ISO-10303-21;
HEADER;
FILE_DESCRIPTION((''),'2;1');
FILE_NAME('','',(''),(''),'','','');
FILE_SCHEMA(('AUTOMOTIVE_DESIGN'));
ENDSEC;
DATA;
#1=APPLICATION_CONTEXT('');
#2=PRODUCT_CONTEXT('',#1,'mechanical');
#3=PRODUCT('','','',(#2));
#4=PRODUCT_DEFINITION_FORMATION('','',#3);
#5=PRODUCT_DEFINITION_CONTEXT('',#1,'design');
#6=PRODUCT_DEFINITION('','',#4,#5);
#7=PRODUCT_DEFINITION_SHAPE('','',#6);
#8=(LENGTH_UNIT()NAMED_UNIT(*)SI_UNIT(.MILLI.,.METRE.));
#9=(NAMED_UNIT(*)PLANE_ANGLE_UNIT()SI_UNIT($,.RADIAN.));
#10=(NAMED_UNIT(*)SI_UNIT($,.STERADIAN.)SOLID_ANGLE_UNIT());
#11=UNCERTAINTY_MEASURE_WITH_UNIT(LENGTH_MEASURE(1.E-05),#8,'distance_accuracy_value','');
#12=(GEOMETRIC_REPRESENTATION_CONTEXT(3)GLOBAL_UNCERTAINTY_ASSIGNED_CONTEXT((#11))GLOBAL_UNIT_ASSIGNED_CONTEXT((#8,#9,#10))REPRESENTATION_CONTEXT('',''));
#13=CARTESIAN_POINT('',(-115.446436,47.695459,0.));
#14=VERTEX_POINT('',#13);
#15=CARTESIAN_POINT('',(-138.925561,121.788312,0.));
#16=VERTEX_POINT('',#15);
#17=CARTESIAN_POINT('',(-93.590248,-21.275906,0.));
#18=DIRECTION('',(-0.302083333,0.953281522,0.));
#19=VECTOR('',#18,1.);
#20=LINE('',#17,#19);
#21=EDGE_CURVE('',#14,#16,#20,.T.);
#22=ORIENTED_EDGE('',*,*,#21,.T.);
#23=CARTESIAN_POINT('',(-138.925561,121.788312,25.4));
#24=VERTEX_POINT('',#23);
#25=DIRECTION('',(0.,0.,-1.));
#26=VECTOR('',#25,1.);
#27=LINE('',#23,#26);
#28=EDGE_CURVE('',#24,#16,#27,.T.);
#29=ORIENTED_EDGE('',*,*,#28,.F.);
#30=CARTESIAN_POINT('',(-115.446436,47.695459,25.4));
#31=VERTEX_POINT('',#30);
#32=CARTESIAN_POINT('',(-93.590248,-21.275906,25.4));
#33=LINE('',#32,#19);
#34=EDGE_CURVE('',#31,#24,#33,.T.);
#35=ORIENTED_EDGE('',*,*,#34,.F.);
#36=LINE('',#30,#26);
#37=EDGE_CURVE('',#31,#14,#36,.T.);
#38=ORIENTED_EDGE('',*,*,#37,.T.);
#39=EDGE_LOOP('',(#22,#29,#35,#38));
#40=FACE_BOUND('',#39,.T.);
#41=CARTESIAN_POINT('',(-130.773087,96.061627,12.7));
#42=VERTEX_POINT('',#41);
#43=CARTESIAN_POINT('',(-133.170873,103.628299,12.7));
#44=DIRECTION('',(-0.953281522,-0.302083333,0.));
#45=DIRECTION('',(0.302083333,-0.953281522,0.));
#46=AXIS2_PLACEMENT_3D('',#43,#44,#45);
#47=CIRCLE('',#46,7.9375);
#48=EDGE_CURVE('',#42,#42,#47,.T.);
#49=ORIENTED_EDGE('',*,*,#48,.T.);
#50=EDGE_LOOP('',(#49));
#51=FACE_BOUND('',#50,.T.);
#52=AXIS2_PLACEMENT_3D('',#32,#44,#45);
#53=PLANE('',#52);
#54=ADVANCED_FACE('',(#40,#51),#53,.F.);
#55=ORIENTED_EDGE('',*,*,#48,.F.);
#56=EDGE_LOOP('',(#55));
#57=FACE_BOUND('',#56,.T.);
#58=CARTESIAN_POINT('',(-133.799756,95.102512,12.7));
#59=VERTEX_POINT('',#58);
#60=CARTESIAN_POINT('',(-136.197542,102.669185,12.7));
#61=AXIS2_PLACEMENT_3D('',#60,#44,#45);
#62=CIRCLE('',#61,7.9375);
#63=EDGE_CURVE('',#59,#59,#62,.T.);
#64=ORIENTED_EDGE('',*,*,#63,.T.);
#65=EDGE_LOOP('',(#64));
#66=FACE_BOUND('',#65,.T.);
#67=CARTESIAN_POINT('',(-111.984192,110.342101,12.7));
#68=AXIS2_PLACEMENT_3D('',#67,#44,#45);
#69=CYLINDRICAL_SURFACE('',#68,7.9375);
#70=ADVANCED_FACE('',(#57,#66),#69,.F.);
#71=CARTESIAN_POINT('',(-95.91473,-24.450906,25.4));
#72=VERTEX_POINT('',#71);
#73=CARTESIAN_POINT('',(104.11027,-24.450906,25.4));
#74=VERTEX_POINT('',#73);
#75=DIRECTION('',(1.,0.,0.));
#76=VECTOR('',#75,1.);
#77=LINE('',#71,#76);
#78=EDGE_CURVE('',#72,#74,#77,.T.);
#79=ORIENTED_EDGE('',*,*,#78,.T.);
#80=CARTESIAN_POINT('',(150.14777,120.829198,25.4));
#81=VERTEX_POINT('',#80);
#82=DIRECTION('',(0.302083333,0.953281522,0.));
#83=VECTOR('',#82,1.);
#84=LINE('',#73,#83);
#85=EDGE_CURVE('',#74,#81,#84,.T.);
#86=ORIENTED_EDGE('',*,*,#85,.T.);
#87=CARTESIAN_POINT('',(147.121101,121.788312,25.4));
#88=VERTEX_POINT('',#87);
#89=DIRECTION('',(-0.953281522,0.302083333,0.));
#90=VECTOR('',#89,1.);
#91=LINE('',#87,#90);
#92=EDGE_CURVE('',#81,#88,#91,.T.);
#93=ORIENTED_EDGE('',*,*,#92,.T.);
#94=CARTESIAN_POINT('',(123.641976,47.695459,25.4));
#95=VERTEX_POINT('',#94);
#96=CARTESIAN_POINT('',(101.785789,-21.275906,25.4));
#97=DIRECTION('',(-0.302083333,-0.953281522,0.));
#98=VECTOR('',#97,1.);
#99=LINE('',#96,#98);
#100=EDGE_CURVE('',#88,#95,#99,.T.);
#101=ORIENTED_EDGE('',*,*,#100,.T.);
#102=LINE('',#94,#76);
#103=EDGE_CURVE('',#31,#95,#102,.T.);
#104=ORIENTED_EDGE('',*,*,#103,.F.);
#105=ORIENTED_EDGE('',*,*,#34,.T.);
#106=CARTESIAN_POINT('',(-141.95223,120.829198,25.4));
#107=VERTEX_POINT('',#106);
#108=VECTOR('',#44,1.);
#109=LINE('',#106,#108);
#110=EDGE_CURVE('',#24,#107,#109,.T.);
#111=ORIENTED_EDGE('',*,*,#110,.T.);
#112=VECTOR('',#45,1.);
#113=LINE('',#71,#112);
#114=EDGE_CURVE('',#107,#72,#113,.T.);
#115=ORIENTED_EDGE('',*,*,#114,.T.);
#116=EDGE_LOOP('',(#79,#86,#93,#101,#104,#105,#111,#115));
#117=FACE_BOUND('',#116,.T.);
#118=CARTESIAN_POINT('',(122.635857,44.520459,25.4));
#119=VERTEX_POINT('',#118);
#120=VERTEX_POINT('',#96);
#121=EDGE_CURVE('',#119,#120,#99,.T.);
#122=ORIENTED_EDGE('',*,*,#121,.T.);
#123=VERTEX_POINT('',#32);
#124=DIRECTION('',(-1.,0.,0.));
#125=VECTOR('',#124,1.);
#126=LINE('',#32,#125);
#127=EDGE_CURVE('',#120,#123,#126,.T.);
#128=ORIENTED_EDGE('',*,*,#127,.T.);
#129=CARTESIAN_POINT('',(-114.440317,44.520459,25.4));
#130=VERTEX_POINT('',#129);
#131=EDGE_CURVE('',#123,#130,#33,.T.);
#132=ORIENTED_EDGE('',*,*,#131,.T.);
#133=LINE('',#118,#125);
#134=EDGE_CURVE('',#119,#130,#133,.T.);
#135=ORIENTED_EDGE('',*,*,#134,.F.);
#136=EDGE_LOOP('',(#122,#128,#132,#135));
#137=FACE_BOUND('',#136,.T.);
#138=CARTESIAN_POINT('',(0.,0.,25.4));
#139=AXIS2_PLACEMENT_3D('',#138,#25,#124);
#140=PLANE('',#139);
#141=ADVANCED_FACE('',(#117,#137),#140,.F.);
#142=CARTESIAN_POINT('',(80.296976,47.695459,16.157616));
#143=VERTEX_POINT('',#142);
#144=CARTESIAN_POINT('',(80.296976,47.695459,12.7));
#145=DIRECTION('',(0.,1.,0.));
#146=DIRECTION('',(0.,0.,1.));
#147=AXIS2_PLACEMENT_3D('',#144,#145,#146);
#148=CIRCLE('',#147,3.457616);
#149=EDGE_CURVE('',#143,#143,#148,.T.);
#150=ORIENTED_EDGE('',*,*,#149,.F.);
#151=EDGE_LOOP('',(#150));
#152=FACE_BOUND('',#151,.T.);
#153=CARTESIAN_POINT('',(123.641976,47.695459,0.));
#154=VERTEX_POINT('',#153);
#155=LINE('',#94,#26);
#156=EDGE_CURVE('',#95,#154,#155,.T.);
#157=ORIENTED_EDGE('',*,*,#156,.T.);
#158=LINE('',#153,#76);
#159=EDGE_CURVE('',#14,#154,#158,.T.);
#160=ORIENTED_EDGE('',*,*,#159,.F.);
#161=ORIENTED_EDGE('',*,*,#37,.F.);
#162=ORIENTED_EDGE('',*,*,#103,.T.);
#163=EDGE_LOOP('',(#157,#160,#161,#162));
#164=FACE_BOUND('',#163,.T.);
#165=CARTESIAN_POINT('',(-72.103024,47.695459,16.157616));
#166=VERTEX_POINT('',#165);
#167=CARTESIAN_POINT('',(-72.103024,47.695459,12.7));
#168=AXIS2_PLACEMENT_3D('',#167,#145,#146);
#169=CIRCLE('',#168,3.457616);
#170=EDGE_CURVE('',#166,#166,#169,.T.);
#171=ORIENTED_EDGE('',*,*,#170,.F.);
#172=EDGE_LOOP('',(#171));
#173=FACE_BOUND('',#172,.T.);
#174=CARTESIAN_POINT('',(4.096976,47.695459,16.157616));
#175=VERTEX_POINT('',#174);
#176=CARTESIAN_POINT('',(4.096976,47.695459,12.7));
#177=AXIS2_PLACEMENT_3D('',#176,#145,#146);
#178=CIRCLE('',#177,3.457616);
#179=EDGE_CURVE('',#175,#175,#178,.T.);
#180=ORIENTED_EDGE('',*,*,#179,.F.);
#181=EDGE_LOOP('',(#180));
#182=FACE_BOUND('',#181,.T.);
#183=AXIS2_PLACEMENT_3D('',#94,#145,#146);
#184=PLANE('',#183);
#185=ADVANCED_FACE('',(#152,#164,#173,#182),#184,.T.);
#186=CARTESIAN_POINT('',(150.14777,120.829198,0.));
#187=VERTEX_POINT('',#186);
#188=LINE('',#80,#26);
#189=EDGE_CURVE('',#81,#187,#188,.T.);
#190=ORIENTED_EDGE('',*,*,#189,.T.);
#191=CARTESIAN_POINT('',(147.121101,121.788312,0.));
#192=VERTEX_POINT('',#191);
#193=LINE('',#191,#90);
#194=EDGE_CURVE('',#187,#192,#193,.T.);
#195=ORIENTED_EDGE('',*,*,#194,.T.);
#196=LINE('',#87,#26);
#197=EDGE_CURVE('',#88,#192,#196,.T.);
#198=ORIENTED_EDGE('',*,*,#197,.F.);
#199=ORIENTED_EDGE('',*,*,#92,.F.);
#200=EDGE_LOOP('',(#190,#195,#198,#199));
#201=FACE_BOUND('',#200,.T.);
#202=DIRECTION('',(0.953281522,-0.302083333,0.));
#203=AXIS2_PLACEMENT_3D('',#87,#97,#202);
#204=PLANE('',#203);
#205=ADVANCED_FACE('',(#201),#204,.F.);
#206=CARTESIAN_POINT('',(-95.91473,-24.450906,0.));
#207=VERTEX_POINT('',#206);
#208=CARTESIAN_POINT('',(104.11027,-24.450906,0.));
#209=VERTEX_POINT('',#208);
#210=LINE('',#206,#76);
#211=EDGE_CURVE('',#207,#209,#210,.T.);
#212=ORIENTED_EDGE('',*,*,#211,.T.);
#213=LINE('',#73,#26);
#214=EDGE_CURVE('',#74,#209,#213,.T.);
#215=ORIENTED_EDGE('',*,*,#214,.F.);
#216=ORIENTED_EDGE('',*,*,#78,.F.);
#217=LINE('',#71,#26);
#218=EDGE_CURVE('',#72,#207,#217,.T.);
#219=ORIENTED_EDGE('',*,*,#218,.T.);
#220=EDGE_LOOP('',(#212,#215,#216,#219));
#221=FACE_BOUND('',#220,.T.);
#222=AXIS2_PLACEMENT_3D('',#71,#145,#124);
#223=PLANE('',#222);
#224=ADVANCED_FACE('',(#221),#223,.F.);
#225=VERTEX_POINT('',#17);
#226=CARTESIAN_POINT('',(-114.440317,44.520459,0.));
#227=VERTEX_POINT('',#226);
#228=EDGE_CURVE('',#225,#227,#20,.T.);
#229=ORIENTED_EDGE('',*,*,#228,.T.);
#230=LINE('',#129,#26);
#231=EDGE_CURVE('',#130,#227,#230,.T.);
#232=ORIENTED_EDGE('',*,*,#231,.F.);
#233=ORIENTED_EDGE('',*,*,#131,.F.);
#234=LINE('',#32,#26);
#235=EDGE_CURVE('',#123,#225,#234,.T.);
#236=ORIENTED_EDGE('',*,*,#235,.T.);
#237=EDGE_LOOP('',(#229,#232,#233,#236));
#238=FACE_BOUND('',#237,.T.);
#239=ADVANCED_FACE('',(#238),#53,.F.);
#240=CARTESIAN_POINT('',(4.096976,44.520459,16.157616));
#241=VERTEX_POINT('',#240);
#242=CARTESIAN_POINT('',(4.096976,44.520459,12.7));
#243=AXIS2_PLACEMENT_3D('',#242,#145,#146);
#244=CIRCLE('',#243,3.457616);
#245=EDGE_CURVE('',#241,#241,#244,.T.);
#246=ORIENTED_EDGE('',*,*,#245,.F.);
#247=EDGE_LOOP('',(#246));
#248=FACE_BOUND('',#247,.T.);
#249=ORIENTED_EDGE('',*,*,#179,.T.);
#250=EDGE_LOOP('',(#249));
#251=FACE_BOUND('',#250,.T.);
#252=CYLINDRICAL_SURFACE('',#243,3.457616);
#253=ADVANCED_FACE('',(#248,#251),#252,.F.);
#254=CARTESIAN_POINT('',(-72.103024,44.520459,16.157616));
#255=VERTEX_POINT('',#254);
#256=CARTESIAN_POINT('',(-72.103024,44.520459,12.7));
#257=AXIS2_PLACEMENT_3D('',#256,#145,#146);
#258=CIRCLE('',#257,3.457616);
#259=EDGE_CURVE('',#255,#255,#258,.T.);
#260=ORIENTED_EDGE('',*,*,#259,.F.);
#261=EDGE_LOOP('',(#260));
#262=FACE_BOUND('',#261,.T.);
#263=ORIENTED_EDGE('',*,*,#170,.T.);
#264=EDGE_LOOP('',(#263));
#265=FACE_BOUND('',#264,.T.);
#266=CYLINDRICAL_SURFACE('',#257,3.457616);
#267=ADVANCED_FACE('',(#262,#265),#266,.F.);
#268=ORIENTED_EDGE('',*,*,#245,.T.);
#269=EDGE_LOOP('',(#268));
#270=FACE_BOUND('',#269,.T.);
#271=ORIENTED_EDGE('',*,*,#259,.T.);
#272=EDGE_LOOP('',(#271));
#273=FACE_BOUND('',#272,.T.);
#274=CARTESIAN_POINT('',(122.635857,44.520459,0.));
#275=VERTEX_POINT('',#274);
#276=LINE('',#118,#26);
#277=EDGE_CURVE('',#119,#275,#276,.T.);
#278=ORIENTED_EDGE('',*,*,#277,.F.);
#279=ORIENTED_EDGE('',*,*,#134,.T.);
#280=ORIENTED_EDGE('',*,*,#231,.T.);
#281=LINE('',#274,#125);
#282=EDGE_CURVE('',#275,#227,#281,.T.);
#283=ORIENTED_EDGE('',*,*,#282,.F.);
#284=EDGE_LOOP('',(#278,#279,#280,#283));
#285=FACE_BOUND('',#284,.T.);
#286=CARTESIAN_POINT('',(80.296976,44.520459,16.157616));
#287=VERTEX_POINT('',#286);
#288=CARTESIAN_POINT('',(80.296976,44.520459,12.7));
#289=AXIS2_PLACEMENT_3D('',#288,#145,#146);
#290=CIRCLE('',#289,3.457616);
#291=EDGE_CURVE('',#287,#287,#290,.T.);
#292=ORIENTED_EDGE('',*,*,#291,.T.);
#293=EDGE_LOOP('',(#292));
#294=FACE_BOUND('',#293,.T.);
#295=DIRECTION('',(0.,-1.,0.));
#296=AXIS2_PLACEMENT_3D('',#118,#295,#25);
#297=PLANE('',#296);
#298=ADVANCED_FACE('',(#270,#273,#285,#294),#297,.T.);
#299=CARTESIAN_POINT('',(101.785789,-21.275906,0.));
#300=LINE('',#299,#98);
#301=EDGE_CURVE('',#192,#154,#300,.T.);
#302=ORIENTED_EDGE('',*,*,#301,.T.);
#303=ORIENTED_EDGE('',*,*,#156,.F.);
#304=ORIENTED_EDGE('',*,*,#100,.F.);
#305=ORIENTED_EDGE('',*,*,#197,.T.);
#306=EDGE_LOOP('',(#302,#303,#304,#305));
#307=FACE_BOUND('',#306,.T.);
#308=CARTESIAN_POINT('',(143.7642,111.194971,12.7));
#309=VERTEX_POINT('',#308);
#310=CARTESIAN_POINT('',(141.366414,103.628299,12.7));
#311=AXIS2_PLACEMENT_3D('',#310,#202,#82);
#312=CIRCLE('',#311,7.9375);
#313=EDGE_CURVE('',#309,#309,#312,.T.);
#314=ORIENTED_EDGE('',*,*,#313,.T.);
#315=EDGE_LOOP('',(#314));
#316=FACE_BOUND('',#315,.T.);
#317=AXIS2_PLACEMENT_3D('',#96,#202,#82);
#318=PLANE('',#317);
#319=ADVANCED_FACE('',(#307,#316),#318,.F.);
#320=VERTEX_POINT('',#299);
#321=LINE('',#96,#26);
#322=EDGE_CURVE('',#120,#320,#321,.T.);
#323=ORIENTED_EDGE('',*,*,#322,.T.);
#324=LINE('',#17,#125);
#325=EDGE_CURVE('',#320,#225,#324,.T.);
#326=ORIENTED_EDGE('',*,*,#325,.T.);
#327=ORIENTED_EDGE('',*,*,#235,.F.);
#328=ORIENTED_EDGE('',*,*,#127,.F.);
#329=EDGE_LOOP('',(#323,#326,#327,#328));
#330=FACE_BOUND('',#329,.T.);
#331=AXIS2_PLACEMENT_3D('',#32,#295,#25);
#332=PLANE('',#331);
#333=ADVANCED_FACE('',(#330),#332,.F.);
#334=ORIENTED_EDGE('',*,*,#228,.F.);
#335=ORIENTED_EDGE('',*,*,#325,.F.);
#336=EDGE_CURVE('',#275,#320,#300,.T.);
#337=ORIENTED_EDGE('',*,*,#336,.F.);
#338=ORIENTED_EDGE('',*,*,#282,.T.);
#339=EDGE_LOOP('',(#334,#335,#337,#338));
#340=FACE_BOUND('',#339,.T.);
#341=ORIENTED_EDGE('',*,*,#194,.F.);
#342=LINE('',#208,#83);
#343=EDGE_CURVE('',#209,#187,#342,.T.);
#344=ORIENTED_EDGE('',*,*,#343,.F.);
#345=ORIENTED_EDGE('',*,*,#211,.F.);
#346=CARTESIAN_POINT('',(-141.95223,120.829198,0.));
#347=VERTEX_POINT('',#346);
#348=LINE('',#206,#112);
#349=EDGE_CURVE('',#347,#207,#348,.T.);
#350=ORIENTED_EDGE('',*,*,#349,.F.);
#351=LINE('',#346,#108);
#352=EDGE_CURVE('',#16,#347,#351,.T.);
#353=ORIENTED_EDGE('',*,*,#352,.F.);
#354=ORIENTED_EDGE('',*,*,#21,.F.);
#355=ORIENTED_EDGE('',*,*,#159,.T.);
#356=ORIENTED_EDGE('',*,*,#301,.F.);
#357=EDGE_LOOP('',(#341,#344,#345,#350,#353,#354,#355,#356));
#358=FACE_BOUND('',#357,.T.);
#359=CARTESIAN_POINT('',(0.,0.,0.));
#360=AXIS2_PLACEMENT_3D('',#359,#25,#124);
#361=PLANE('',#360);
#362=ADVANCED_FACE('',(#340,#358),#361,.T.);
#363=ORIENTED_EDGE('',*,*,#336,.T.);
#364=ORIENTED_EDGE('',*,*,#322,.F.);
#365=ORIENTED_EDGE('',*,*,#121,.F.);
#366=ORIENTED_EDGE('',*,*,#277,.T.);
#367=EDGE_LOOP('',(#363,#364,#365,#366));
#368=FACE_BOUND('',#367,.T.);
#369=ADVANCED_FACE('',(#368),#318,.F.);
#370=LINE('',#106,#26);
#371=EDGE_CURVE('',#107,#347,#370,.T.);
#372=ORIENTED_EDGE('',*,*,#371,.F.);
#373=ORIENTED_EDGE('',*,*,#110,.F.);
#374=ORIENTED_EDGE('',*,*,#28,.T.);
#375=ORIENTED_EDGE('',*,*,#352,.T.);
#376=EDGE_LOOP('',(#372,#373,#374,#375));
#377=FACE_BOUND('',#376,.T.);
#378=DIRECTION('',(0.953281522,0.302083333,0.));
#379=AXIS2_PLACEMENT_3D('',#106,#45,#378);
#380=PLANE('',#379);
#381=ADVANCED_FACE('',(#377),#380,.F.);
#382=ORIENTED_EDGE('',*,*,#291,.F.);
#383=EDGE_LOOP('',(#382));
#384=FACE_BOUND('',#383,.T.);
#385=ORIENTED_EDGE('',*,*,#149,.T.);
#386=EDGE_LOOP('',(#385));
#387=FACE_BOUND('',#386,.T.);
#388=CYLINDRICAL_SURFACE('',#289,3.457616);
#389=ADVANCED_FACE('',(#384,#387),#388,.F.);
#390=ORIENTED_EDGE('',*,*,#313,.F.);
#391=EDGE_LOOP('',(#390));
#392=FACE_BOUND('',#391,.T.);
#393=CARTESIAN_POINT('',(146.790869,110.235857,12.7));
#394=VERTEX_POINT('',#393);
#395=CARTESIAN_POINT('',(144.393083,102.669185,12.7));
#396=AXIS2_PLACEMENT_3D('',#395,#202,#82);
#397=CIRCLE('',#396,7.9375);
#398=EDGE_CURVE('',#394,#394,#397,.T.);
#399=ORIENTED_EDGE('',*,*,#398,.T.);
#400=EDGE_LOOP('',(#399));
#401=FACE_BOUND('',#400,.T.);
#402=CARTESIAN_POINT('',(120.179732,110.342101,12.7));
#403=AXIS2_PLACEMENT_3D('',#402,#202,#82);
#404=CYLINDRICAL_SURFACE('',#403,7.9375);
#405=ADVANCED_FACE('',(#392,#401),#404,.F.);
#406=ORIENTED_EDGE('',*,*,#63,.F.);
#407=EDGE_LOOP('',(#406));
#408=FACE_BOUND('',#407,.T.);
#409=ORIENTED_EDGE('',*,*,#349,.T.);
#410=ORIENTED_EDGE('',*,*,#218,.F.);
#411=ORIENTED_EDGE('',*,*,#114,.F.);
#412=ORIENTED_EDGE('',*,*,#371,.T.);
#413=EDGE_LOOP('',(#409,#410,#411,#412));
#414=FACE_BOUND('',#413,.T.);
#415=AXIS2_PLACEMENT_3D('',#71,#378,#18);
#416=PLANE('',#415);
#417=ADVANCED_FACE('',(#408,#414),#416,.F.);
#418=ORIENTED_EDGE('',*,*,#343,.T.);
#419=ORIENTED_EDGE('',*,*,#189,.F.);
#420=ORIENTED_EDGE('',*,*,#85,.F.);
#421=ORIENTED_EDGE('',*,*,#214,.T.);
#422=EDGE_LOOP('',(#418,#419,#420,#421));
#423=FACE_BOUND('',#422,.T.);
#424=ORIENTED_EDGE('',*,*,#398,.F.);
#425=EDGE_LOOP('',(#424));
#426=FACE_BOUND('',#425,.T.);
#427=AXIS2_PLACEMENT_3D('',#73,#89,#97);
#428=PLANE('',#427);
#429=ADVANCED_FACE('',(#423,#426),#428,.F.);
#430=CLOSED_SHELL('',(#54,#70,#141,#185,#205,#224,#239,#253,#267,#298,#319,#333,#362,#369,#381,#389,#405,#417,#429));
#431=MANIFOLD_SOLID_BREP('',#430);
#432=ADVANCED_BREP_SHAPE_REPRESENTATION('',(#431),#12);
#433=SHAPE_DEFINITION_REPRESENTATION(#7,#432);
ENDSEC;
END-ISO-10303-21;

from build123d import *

# Parameters (mm, degrees)
BOSS_EXTRUDE1_DEPTH = 25.4
SKETCH2_R           = 7.9375
CUT_EXTRUDE1_DEPTH  = 25.4
SKETCH3_R           = 7.9375
CUT_EXTRUDE2_DEPTH  = 25.4
BOSS_EXTRUDE2_DEPTH = 25.4
SKETCH6_R           = 3.457615734
CUT_EXTRUDE4_DEPTH  = 3.175


with BuildPart() as part:
    # Sketch1 → Boss-Extrude1 (new body)
    with BuildSketch(Plane.XY):
        Polygon((-95.914729745, -24.450906393), (104.110270255, -24.450906393), (150.147770255, 120.829197523), (147.121101424, 121.788312106), (101.785788593, -21.275906393), (-93.590248082, -21.275906393), (-138.925560913, 121.788312106), (-141.952229745, 120.829197523), align=None)
    extrude(amount=BOSS_EXTRUDE1_DEPTH)

    # Sketch2 → Cut-Extrude1 (cut)
    with BuildSketch(Plane(origin=(-94.203233113, -29.851860148, 0), x_dir=(0, 0, 1), z_dir=(-0.953281522, -0.302083333, 0))):
        with Locations((12.7, 139.015644022)):
            Circle(SKETCH2_R)
    extrude(amount=-CUT_EXTRUDE1_DEPTH, mode=Mode.SUBTRACT)

    # Sketch3 → Cut-Extrude2 (cut)
    with BuildSketch(Plane(origin=(101.650894981, -32.211933717, 0), x_dir=(0, 0, -1), z_dir=(0.953281522, -0.302083333, 0))):
        with Locations((-12.7, 141.491380218)):
            Circle(SKETCH3_R)
    extrude(amount=-CUT_EXTRUDE2_DEPTH, mode=Mode.SUBTRACT)

    # Sketch5 → Boss-Extrude2 (add)
    with BuildSketch(Plane(origin=(0, 0, 0), x_dir=(-1, 0, 0), z_dir=(0, 0, -1))):
        Polygon((-123.641976424, 47.695459109), (115.446435913, 47.695459109), (114.440316985, 44.520459109), (-122.635857495, 44.520459109), align=None)
    extrude(amount=-BOSS_EXTRUDE2_DEPTH)

    # Sketch6 → Cut-Extrude4 (cut)
    with BuildSketch(Plane(origin=(0, 47.695459109, 0), x_dir=(1, 0, 0), z_dir=(0, 1, 0))):
        with Locations((-72.103023576, -12.7)):
            Circle(SKETCH6_R)
        with Locations((4.096976424, -12.7)):
            Circle(SKETCH6_R)
        with Locations((80.296976424, -12.7)):
            Circle(SKETCH6_R)
    extrude(amount=-CUT_EXTRUDE4_DEPTH, mode=Mode.SUBTRACT)


solid = part.part
